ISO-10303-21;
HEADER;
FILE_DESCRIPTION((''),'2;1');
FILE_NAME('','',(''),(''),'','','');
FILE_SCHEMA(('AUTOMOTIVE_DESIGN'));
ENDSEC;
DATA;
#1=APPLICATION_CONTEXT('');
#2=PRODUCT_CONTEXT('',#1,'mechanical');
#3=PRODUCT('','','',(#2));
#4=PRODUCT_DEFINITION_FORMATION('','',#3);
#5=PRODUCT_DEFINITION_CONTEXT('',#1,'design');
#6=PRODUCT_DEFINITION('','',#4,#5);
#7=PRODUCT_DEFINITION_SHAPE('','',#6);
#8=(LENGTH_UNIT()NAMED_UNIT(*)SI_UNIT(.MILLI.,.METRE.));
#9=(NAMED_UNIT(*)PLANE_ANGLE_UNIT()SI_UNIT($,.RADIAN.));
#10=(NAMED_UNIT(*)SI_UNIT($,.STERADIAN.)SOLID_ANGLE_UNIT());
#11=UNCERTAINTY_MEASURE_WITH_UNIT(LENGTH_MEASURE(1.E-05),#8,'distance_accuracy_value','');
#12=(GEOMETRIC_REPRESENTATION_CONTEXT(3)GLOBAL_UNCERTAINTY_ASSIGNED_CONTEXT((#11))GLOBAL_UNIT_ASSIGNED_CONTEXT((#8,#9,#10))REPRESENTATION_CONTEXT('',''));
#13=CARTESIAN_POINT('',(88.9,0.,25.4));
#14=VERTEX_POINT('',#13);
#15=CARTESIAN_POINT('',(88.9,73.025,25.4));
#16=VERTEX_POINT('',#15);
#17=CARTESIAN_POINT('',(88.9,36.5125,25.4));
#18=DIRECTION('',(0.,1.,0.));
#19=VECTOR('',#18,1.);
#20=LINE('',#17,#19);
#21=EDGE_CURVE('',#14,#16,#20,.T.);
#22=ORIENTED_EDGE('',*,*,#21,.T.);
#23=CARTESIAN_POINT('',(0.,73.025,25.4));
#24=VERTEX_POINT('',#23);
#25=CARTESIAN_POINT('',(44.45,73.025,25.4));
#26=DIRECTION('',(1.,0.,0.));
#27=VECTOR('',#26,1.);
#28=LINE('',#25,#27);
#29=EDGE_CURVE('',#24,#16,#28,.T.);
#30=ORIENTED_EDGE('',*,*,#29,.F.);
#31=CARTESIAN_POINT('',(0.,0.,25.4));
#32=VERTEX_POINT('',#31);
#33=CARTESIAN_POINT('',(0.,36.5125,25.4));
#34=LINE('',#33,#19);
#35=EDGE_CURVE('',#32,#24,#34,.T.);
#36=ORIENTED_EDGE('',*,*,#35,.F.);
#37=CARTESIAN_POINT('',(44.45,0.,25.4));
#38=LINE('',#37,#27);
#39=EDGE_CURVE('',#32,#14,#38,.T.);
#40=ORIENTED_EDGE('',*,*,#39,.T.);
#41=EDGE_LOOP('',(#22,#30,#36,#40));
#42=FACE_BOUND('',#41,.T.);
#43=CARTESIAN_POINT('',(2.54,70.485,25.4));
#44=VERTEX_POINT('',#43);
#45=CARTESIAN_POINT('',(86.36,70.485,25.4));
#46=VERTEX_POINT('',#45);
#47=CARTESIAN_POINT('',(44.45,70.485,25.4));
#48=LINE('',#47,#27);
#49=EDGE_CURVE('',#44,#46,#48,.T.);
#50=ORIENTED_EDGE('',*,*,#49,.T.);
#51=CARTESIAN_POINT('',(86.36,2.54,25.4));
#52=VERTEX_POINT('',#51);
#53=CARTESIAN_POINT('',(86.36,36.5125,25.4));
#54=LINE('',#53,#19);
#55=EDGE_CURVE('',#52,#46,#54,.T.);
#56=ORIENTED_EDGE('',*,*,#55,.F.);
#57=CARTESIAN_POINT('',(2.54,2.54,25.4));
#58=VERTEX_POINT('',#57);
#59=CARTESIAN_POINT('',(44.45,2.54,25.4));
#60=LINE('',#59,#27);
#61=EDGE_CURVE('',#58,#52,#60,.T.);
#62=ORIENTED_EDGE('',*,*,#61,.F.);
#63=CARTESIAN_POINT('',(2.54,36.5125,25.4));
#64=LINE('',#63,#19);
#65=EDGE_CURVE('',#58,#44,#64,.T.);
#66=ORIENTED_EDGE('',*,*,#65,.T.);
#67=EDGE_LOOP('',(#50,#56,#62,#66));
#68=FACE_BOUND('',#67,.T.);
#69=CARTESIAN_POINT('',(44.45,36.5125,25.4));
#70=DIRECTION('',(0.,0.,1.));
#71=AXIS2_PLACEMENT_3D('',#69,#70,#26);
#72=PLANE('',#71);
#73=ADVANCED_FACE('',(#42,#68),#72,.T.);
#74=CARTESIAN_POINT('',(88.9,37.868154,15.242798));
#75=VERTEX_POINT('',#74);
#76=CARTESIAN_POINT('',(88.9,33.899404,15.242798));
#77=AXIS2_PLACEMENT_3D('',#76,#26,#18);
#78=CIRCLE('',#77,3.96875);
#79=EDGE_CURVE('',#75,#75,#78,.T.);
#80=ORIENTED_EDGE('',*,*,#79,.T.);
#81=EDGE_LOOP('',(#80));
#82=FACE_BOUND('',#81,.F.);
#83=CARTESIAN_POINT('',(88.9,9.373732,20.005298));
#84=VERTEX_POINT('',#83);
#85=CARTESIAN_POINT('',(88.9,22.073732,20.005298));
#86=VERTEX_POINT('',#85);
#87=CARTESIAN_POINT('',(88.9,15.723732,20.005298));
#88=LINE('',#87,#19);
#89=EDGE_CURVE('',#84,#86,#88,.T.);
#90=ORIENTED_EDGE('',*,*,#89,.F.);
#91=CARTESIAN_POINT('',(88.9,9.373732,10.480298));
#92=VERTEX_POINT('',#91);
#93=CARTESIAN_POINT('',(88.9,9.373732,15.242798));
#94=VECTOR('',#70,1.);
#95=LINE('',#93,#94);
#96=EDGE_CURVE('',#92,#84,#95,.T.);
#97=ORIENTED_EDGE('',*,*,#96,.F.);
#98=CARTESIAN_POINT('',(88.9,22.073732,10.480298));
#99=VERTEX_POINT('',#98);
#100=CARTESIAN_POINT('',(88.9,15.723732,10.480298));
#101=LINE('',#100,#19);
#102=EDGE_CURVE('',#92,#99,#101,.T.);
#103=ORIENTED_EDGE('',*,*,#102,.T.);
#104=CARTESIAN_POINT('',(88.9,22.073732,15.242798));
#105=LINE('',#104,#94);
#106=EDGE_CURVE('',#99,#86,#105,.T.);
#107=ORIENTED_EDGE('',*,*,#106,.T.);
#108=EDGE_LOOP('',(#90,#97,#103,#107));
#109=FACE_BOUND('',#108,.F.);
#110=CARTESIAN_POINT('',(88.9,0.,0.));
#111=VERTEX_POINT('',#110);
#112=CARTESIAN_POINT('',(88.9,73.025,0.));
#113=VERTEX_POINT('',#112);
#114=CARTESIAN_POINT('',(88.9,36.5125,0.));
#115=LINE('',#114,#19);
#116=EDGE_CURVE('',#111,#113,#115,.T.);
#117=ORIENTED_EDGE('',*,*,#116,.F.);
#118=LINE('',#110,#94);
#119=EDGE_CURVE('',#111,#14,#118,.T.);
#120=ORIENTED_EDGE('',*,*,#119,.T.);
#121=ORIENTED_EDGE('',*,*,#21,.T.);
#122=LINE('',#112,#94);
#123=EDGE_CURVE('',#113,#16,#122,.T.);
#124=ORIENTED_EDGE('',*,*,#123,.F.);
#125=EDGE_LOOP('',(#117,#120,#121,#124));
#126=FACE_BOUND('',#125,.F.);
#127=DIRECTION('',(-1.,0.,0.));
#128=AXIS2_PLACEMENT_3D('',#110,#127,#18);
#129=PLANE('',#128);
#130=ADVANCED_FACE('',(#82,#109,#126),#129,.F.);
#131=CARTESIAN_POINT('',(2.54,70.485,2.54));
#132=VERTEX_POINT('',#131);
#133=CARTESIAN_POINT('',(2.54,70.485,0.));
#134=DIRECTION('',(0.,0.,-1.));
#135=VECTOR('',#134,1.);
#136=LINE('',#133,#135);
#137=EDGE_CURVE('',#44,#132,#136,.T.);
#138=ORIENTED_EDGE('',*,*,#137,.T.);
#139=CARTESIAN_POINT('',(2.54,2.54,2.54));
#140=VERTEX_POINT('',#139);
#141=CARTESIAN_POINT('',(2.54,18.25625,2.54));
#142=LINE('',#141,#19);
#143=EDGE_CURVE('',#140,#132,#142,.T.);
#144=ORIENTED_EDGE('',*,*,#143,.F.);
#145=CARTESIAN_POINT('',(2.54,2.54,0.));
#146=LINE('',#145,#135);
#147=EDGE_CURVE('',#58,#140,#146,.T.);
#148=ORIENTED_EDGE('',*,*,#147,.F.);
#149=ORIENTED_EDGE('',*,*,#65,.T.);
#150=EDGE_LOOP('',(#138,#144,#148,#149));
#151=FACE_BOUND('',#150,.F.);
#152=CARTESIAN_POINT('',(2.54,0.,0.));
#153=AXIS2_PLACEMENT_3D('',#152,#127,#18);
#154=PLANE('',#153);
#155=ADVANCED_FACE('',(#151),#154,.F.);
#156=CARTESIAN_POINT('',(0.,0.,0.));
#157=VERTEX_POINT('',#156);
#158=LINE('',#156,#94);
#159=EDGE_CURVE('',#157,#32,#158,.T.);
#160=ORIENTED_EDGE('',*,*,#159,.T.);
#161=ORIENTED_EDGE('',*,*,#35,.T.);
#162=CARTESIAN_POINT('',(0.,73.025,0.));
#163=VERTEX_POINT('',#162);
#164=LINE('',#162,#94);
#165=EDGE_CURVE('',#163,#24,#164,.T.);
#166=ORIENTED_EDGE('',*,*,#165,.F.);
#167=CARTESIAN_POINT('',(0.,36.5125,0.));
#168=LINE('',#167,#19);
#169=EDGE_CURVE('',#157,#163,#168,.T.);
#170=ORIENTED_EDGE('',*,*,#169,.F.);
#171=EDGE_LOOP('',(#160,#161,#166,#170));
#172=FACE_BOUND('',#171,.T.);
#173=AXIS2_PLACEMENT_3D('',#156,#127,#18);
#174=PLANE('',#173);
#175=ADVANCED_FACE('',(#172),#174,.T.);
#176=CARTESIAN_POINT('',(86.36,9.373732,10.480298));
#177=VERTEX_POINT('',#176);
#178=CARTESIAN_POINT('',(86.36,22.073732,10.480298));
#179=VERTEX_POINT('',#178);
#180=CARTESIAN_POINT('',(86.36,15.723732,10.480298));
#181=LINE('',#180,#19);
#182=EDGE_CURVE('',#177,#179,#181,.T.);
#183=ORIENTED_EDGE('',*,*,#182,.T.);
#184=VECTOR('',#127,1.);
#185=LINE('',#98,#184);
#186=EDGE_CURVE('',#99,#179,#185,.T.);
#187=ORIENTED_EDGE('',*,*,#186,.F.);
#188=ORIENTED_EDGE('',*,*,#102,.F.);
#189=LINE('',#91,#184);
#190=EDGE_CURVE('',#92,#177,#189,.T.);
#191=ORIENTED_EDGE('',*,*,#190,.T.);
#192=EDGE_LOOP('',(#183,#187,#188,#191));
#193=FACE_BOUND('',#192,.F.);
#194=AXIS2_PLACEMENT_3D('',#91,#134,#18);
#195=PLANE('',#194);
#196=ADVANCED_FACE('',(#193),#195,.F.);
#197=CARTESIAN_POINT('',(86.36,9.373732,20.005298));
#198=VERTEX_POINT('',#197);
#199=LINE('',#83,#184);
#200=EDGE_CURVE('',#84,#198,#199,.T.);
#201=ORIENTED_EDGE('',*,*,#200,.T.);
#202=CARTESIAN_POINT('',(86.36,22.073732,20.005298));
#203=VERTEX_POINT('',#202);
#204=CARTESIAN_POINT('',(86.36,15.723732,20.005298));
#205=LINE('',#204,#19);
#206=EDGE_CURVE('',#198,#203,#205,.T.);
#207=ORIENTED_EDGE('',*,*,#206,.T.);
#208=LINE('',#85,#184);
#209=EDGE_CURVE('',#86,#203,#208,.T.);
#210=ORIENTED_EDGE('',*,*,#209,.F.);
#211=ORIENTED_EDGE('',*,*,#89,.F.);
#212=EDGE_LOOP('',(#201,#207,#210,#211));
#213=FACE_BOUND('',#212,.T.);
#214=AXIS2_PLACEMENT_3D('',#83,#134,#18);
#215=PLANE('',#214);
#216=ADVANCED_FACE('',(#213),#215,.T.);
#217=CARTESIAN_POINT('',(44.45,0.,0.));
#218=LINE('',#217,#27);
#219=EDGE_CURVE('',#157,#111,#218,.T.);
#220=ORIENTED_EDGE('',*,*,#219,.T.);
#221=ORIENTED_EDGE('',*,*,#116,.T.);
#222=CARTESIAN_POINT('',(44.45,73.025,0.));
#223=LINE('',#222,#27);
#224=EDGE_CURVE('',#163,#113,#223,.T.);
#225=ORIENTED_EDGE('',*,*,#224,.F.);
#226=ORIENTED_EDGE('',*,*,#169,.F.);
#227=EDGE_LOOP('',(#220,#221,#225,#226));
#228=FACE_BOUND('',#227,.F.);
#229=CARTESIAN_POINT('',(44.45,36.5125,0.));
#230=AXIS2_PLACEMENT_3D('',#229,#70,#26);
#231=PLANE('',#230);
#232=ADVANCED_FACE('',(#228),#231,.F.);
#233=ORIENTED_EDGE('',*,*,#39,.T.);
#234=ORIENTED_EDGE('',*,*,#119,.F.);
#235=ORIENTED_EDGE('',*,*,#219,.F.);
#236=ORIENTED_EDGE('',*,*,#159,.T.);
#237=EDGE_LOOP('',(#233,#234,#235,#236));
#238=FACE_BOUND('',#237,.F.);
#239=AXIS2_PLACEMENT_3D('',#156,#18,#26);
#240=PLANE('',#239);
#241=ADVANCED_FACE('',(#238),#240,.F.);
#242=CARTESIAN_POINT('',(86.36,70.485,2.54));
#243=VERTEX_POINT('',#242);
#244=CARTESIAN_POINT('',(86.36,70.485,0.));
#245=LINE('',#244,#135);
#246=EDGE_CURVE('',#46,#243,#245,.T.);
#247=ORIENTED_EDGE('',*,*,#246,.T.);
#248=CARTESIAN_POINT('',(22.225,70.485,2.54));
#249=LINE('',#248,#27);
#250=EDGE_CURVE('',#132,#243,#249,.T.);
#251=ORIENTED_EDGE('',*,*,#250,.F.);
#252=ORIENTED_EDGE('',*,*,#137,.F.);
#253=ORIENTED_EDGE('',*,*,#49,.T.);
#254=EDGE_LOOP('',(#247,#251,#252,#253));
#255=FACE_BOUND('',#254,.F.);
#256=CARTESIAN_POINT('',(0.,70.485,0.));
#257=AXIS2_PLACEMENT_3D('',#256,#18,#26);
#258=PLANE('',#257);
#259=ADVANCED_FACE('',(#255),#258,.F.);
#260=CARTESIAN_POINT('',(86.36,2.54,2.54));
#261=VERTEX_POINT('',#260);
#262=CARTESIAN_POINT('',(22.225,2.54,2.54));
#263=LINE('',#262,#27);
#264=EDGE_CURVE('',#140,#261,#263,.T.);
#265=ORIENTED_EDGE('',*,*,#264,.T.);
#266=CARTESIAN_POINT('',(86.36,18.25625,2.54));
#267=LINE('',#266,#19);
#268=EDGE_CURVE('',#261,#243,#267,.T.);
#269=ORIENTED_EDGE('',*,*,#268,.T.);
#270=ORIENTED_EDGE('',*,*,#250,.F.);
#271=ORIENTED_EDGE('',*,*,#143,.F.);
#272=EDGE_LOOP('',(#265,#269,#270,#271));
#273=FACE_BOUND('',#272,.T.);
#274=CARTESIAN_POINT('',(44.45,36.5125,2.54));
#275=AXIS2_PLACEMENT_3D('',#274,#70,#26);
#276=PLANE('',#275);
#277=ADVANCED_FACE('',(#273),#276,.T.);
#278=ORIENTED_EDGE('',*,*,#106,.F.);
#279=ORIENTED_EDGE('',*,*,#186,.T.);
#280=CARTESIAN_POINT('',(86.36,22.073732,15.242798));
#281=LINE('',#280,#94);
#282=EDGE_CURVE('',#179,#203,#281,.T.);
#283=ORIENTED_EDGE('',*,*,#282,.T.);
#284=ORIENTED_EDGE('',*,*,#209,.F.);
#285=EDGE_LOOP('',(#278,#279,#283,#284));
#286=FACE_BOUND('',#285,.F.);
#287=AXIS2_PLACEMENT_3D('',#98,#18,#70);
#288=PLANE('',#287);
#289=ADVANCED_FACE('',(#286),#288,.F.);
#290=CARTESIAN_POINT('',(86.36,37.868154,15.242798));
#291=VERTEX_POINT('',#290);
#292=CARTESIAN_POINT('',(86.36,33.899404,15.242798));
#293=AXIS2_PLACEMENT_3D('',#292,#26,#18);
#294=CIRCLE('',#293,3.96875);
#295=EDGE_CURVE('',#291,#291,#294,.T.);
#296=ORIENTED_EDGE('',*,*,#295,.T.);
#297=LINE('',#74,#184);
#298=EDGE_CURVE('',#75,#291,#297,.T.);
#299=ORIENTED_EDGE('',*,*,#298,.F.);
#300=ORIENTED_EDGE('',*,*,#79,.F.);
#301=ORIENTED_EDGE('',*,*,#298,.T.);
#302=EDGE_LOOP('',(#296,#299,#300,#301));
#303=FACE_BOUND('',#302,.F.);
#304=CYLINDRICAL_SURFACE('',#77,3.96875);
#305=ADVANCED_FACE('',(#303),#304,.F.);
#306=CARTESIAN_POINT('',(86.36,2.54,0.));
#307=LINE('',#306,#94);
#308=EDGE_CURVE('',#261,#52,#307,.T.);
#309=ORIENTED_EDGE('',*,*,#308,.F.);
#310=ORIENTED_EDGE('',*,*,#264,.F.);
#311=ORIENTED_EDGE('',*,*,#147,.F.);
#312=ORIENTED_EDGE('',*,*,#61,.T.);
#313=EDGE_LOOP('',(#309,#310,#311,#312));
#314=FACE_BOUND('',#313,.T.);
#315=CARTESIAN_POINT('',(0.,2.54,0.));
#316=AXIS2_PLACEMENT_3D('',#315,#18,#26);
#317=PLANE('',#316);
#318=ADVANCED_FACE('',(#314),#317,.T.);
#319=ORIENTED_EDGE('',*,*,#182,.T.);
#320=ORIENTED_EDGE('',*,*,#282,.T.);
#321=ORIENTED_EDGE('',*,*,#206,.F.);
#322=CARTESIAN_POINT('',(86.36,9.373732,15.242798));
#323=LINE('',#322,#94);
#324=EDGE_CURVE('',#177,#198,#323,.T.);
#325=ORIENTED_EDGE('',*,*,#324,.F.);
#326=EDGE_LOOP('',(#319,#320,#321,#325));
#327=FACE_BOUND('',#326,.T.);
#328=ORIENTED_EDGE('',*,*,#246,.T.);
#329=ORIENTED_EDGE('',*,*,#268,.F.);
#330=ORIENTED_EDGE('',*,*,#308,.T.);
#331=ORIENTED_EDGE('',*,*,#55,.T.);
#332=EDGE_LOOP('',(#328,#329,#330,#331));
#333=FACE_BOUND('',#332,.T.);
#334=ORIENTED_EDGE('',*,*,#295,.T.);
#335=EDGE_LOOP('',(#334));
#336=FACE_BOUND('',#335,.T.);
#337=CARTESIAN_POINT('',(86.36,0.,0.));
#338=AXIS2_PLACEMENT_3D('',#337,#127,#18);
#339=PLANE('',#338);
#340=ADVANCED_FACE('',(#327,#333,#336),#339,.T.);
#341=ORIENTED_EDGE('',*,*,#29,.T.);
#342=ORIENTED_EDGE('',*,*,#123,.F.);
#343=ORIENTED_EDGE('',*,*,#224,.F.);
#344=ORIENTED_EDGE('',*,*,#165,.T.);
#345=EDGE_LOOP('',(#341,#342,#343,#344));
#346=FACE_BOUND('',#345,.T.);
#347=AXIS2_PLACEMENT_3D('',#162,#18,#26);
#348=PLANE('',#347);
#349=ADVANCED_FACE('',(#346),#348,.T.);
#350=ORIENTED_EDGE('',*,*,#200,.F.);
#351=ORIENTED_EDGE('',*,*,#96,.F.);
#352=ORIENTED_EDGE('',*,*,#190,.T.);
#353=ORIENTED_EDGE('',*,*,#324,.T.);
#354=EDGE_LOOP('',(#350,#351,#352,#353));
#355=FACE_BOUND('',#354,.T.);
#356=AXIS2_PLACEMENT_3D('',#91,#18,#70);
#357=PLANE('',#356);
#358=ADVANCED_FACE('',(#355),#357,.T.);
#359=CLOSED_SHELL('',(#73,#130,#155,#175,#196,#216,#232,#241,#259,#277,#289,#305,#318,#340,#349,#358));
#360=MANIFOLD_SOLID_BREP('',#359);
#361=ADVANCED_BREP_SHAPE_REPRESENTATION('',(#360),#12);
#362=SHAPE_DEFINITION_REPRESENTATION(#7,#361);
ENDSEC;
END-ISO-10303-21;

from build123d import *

# Parameters (mm, degrees)
F0_W     = 88.9
F0_H     = 73.025
F1_DEPTH = 25.4
F2_T     = -2.54
F3_W     = 12.7
F3_H     = 9.525
F3_R     = 3.96875
F4_DEPTH = 2.54


with BuildPart() as f1:
    # F0 (on Top) → F1 (new body)
    with BuildSketch(Plane.XY):
        with Locations((44.45, 36.5125)):
            Rectangle(F0_W, F0_H)
    extrude(amount=F1_DEPTH)

    # F2
    f2_openings = [f1.faces().sort_by_distance(p)[0] for p in [
        (44.45, 36.5125, 25.4),
    ]]
    offset(amount=F2_T, openings=f2_openings)

    # F3 (on face) → F4 (cut)
    with BuildSketch(Plane.YZ.offset(88.9)):
        with Locations((15.723732, 15.242798)):
            Rectangle(F3_W, F3_H)
        with Locations((33.899404, 15.242798)):
            Circle(F3_R)
    extrude(amount=-F4_DEPTH, mode=Mode.SUBTRACT)


solid = f1.part
